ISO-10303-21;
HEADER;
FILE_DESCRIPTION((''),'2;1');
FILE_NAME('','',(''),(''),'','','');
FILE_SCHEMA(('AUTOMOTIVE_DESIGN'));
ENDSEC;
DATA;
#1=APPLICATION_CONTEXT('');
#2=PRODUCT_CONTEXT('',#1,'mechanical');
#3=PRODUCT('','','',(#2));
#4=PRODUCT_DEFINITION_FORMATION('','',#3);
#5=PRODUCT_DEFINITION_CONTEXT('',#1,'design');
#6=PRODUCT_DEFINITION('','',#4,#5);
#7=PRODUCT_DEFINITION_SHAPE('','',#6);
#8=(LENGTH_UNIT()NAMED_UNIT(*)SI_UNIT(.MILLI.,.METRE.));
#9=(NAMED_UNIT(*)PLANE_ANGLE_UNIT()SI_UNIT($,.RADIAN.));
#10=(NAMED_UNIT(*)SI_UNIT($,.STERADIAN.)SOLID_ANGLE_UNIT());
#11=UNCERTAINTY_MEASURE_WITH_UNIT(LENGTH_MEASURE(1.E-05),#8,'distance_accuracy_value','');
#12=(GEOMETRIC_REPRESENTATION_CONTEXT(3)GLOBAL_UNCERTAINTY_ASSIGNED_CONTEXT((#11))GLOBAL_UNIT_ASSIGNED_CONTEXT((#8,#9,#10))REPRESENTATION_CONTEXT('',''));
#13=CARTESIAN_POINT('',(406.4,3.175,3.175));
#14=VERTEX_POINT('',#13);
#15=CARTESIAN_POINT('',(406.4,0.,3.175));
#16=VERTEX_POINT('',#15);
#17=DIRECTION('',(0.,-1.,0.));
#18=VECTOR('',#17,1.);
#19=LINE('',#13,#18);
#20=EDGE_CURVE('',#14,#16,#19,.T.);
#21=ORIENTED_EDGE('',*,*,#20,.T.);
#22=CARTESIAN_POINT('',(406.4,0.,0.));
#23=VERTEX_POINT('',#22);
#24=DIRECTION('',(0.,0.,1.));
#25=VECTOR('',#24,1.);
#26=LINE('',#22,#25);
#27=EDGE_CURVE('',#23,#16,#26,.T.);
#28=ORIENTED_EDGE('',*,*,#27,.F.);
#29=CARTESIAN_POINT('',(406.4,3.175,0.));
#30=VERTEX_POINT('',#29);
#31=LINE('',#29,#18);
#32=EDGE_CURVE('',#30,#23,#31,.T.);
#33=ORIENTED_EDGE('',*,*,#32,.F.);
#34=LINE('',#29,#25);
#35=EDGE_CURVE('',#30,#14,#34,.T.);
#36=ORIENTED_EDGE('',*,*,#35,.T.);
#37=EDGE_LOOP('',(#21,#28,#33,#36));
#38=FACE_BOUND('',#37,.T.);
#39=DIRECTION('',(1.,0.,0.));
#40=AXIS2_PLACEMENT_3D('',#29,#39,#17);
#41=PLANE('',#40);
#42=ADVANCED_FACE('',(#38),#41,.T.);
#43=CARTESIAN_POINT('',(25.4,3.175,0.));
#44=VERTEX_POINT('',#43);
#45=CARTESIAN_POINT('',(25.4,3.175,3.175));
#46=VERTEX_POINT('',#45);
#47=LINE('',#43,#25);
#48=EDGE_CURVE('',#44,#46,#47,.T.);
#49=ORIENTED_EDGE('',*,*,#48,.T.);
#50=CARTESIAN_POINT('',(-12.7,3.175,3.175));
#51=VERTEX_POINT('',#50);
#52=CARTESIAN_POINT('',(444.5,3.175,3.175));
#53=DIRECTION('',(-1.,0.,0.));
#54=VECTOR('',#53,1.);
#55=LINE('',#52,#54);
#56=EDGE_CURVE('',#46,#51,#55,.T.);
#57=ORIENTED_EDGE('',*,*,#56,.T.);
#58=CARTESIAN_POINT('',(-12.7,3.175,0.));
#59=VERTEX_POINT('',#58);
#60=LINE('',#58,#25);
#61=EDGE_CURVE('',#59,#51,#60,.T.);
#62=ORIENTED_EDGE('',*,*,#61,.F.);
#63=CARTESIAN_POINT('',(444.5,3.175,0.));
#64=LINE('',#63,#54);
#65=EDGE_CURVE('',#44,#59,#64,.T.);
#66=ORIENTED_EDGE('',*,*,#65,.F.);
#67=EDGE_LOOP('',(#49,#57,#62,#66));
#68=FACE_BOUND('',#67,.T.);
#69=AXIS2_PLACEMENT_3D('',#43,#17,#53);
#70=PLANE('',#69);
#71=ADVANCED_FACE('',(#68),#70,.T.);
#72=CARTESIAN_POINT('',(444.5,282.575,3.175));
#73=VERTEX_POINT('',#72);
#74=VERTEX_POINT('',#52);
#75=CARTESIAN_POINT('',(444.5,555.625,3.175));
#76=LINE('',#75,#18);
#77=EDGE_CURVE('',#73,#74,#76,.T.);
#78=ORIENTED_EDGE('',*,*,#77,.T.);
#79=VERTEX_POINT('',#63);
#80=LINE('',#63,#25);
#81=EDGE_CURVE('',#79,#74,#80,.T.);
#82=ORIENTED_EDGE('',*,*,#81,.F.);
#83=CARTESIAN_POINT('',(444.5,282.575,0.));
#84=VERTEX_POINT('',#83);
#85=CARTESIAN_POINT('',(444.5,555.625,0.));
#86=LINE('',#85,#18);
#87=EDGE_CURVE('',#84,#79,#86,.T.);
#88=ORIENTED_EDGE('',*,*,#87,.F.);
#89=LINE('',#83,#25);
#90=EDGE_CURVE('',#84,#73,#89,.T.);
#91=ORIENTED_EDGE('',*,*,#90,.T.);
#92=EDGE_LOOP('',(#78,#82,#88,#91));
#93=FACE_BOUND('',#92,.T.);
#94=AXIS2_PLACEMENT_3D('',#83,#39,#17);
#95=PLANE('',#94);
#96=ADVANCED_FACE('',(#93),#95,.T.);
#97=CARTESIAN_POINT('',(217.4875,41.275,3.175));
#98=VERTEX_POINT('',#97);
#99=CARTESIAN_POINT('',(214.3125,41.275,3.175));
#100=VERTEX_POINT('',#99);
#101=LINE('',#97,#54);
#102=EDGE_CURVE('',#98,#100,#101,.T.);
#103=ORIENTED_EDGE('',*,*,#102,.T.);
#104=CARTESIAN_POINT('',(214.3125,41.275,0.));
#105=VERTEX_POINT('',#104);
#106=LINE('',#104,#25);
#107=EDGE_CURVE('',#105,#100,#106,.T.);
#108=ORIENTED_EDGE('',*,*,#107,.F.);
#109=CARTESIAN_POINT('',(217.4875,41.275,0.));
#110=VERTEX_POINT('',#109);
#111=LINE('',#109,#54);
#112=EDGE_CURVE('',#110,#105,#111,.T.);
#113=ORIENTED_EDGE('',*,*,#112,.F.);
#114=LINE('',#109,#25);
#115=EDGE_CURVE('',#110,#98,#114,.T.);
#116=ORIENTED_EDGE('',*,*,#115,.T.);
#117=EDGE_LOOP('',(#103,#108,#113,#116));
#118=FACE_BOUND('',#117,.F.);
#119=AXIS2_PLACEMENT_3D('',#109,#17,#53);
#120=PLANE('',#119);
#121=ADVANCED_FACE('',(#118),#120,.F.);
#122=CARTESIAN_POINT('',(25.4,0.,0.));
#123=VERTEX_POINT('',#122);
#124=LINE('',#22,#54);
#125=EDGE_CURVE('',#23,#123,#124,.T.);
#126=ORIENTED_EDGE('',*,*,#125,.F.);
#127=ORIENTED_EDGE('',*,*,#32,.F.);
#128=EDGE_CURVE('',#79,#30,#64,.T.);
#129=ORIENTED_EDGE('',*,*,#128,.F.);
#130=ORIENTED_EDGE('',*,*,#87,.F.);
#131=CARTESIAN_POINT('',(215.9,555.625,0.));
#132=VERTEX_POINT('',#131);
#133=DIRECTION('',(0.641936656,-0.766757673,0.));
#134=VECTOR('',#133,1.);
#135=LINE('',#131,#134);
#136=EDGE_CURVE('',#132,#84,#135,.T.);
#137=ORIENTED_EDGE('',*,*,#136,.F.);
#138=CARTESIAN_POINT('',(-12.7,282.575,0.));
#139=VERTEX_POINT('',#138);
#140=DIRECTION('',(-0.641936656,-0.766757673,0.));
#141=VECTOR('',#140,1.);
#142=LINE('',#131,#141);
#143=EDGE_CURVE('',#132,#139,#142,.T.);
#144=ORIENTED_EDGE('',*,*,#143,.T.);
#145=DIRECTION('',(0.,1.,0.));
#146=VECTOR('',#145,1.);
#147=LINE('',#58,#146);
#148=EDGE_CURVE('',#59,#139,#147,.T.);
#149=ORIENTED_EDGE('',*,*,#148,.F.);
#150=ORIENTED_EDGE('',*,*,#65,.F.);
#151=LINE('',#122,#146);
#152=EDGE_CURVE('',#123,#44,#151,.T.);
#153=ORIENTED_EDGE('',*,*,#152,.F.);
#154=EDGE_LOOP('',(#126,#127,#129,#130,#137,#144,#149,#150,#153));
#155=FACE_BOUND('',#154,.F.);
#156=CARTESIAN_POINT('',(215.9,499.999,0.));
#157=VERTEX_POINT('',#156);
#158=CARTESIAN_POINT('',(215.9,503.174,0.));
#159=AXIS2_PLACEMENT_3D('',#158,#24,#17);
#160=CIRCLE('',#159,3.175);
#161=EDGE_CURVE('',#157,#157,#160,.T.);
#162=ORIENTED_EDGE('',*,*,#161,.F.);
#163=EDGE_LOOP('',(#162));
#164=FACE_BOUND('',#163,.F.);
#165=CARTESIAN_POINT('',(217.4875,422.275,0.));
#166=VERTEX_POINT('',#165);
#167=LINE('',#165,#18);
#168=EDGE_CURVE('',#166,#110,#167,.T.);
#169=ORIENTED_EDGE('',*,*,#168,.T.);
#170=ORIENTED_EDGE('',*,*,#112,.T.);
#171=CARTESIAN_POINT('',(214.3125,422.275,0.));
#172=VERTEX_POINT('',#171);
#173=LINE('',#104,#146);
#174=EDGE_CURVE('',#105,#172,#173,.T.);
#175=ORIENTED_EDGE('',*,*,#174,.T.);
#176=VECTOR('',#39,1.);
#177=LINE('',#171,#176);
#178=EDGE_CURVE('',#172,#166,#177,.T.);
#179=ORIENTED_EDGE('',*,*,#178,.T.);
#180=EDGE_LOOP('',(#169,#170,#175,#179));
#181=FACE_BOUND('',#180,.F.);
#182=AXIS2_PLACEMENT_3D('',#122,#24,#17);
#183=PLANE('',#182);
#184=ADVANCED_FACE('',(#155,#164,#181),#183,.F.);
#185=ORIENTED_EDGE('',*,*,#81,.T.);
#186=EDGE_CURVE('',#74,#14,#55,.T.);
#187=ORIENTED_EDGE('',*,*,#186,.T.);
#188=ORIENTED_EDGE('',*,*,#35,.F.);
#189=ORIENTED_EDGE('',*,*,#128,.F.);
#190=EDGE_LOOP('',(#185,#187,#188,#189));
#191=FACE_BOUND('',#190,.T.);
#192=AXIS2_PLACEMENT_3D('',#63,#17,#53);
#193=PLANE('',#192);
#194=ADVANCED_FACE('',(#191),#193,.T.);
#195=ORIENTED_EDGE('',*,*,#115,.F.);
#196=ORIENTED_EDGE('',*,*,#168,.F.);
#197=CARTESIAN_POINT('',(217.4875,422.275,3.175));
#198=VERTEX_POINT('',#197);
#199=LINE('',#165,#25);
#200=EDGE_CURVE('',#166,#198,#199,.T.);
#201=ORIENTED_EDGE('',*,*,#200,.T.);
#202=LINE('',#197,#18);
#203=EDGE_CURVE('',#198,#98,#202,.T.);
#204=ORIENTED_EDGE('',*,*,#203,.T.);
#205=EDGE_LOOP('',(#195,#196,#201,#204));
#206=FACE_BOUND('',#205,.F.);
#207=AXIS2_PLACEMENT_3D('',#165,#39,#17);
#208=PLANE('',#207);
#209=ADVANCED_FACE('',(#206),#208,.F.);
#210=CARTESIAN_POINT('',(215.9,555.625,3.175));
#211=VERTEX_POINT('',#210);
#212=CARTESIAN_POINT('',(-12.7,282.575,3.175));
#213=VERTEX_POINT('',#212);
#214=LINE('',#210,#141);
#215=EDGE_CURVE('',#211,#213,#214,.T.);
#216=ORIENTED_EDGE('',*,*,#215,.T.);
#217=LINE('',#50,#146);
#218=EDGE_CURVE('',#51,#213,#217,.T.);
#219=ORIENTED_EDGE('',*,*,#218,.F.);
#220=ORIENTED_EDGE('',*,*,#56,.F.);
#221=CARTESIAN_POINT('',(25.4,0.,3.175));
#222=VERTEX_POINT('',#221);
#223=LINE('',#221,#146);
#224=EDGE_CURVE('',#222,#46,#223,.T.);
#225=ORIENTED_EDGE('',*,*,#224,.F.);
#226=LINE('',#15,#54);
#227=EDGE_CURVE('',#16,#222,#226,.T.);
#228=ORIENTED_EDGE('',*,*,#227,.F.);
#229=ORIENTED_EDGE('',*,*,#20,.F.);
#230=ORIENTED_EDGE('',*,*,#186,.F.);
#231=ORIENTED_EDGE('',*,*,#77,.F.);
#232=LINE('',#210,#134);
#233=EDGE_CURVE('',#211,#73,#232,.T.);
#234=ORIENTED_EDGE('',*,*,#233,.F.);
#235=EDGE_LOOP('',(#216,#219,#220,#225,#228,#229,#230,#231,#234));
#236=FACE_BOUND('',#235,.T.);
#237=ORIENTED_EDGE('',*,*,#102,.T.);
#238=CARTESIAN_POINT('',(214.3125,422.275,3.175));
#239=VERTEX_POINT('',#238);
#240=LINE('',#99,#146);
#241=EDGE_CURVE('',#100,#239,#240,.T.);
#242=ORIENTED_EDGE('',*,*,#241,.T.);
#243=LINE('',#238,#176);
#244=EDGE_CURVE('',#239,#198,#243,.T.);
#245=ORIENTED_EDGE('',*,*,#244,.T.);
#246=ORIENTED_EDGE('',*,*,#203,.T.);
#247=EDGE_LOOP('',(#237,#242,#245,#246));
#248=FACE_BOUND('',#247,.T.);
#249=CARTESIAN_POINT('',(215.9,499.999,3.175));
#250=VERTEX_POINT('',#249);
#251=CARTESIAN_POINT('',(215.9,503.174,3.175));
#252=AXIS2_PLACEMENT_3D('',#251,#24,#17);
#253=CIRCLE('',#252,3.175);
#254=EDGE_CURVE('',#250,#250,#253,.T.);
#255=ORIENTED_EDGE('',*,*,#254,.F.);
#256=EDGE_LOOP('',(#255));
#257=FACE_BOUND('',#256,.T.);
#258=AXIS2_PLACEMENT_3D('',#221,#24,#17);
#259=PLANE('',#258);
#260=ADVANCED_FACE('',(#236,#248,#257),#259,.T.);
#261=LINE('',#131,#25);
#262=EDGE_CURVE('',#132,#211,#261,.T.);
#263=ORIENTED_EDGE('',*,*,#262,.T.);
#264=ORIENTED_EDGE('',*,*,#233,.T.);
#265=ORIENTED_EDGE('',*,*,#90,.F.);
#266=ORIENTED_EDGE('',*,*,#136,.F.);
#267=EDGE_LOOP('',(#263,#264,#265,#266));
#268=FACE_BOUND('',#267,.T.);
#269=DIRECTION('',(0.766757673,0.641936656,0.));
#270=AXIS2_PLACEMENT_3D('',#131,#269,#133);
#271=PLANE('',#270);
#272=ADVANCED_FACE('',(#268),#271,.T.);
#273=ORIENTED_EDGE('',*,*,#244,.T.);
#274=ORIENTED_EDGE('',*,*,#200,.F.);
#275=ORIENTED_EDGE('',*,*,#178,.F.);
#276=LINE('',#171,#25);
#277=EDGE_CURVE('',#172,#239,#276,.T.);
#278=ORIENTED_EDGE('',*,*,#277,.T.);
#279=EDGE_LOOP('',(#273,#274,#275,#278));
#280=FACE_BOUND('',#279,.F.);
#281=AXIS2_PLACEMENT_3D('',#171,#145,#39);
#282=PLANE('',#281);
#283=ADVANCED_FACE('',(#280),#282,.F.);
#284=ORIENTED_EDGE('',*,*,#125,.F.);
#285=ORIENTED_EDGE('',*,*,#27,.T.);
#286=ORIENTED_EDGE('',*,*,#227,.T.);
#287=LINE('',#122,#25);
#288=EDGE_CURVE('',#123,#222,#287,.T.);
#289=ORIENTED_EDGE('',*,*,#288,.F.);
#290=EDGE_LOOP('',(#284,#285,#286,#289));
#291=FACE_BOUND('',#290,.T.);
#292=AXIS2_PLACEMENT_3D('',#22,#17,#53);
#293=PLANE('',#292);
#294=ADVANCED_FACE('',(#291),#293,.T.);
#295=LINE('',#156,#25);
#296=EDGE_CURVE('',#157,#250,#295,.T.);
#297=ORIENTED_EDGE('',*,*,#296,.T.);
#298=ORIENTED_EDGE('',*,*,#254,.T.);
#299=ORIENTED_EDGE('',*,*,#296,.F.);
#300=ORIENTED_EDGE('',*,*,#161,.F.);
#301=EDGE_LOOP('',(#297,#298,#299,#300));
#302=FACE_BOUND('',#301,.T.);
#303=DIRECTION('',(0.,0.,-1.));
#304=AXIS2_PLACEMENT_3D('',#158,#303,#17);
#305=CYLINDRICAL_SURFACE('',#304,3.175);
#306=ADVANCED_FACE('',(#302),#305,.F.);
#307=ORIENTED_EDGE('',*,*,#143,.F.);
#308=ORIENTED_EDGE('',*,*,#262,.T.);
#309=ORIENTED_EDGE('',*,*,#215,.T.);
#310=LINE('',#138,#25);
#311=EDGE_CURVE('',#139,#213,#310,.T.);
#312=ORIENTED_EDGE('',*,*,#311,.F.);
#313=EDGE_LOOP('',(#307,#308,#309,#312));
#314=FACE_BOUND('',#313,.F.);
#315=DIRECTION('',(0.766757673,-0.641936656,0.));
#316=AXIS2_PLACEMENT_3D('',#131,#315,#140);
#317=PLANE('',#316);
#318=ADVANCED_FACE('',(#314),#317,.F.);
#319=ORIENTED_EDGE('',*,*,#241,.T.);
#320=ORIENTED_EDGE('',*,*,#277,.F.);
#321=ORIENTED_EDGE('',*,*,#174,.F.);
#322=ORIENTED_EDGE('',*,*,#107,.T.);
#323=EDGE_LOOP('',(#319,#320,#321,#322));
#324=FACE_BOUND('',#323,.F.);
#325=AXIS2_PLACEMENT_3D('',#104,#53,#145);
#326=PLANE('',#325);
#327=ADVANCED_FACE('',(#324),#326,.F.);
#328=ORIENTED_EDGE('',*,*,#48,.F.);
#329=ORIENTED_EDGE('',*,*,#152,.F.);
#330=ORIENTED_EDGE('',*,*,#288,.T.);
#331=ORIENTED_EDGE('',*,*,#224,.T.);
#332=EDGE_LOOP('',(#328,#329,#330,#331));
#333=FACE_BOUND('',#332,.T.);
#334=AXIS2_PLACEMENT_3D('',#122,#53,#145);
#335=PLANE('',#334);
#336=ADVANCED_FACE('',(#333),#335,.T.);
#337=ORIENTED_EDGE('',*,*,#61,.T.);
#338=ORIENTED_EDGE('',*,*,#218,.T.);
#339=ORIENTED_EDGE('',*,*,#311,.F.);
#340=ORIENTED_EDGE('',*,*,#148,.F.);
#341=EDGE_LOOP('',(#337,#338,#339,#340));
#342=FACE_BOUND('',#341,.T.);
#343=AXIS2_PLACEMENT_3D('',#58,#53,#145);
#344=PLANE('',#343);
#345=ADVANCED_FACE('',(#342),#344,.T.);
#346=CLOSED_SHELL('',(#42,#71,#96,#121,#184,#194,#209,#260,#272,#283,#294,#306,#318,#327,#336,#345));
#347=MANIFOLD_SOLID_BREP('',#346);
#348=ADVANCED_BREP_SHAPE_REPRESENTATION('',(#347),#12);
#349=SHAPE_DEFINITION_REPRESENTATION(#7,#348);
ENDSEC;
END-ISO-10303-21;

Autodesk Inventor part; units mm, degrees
ref_plane "YZ Plane" through (0, 0, 0) normal (1, 0, 0) x (0, 1, 0)
ref_plane "XZ Plane" through (0, 0, 0) normal (0, 1, 0) x (-1, 0, 0)
ref_plane "XY Plane" through (0, 0, 0) normal (0, 0, 1) x (1, 0, 0)
sketch "Sketch1" plane through (0, 0, 0) normal (0, 0, 1) x (1, 0, 0)
  line L0 (0, 0) -> (-3.175, 0)
  line L1 (-3.175, 0) -> (-3.175, 381)
  line L2 (-3.175, 381) -> (0, 381)
  line L3 (0, 381) -> (0, 0)
  line L4 (-3.175, -38.1) -> (-555.625, -38.1)
  line L5 (-555.625, -38.1) -> (-555.625, 419.1)
  line L6 (-555.625, 419.1) -> (-3.175, 419.1)
  line L7 (-3.175, 419.1) -> (-3.175, -38.1)
  line L8 (-555.625, 190.5) -> (-282.575, -38.1)
  line L9 (-555.625, 190.5) -> (-282.575, 419.1)
  circle A0 centre (-503.174, 190.5) radius 3.175
  line L10 (-41.275, 188.9125) -> (-422.275, 188.9125)
  line L11 (-422.275, 188.9125) -> (-422.275, 192.0875)
  line L12 (-422.275, 192.0875) -> (-41.275, 192.0875)
  line L13 (-41.275, 192.0875) -> (-41.275, 188.9125)
  point P0 (-1.5875, 0)
  point P1 (-3.175, 0)
  point P2 (-3.175, 381)
  point P3 (-41.275, 190.5)
  dimension "d0" = 3.175
  dimension "d1" = 381
  dimension "d2" = 552.45
  dimension "d3" = 457.2
  dimension "d4" = 38.1
  dimension "d5" = 228.6
  dimension "d6" = 279.4
  dimension "d7" = 228.6
  dimension "d9" = 6.35
  dimension "d10" = 228.6
  dimension "d11" = 499.999
  dimension "d12" = 279.4
  dimension "d15" = 381
  dimension "d16" = 3.175
  dimension "d17" = 227.0125
  dimension "d18" = 38.1
extrude "Extrusion1" add sketch "Sketch1" along normal blind 3.175 contours L0 L1 L2 L3 | L7 L4 L8 L9 L6 L1
move or copy body "Move Body1" bodies to move or copy 1 copy no rotation origin (0, 0, 0) rotation axis (0, 0, 1) rotation angle -90
move or copy body "Move Body2" bodies to move or copy 1 copy no translate (25.4, 0, 0)
properties part number "side"
